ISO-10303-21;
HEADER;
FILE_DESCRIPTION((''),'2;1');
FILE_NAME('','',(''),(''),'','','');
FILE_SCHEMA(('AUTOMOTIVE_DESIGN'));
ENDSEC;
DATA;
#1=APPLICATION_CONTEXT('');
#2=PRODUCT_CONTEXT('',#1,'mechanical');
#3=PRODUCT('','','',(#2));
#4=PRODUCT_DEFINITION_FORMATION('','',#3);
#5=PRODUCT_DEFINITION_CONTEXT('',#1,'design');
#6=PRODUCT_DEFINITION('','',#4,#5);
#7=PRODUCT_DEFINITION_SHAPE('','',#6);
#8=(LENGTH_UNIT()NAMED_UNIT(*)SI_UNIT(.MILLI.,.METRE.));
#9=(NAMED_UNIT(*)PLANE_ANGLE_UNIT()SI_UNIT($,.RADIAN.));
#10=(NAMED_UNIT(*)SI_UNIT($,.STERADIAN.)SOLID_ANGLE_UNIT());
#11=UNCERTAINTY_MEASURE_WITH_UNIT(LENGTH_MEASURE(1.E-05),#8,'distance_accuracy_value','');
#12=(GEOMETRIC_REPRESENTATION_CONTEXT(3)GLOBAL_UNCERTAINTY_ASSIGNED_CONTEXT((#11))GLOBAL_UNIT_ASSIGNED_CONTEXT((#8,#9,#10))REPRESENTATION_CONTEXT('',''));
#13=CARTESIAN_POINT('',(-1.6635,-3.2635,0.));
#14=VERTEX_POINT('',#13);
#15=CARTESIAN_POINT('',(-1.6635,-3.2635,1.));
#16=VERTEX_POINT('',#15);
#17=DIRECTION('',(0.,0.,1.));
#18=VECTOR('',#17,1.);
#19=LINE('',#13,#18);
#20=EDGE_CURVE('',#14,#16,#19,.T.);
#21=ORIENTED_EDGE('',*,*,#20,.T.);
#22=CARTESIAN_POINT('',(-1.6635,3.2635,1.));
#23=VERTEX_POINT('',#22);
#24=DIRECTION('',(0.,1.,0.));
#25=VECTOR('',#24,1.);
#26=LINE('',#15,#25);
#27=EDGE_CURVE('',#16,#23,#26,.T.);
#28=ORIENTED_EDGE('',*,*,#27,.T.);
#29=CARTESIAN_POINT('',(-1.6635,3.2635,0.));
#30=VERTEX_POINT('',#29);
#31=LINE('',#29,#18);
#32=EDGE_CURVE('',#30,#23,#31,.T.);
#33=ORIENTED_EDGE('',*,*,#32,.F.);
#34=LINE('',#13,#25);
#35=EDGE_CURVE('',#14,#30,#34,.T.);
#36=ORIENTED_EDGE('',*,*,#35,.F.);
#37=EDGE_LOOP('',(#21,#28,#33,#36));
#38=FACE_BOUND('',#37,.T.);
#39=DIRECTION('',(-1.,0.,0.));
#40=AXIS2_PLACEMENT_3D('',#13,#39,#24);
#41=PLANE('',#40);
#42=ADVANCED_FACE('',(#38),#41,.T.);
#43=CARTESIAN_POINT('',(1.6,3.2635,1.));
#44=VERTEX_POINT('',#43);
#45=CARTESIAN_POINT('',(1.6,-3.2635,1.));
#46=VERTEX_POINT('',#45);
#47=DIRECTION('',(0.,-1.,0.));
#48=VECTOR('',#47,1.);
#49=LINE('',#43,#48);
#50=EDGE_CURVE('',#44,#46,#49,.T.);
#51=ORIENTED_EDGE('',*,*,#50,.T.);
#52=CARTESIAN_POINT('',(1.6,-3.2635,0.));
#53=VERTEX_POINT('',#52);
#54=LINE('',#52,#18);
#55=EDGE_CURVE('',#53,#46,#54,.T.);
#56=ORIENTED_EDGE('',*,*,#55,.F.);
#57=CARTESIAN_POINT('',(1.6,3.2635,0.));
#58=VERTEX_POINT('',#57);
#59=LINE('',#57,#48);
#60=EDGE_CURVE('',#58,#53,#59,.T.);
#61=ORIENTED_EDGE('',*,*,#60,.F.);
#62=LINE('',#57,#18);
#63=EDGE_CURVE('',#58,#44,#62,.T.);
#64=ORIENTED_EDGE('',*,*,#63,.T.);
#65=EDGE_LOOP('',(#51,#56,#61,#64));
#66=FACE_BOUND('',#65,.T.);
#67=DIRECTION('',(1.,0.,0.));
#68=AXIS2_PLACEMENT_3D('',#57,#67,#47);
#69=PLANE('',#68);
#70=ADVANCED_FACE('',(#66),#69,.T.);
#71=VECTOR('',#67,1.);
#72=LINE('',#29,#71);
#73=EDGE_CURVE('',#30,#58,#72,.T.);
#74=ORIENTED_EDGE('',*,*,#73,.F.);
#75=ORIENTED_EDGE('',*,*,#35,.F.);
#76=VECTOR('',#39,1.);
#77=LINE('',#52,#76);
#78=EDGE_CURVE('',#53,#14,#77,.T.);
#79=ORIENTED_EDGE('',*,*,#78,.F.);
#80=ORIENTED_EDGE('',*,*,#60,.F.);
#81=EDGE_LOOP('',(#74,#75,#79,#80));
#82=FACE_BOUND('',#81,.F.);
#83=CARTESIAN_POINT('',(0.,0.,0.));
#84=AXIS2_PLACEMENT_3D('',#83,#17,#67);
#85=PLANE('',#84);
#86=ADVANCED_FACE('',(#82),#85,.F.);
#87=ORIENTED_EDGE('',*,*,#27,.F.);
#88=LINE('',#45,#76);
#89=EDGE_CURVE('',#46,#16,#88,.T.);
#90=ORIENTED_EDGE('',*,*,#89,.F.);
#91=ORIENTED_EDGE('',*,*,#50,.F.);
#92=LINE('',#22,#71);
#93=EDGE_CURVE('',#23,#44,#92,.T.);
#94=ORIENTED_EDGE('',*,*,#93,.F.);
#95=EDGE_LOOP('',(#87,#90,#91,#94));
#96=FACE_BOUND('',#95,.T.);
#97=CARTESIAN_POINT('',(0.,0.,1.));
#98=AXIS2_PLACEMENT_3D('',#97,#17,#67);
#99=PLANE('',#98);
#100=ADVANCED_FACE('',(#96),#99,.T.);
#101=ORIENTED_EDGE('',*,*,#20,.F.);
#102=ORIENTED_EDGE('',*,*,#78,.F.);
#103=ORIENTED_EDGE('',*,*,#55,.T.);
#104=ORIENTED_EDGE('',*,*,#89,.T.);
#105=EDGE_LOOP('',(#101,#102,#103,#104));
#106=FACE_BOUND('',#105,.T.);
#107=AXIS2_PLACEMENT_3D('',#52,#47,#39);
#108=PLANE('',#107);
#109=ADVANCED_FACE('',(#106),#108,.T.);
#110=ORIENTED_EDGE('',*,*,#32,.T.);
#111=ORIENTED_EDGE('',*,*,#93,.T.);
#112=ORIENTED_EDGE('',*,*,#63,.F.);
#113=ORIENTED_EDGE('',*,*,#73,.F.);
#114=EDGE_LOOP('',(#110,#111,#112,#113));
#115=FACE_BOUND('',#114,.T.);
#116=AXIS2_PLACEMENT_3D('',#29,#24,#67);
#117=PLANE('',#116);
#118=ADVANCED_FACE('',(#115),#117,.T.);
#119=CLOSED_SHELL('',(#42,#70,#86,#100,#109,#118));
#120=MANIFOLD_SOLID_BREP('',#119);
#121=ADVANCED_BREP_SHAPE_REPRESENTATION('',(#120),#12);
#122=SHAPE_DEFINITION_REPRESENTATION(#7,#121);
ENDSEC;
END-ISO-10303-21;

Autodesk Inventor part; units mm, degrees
ref_plane "YZ Plane" through (0, 0, 0) normal (1, 0, 0) x (0, 1, 0)
ref_plane "XZ Plane" through (0, 0, 0) normal (0, 1, 0) x (-1, 0, 0)
ref_plane "XY Plane" through (0, 0, 0) normal (0, 0, 1) x (1, 0, 0)
sketch "LVK25, 0_005_89" plane through (0, 0, 0) normal (0, 0, 1) x (1, 0, 0)
  line L0 (-1.6635, 3.2635) -> (1.6, 3.2635)
  line L1 (1.6, 3.2635) -> (1.6, -3.2635)
  line L2 (1.6, -3.2635) -> (-1.6635, -3.2635)
  line L3 (-1.6635, -3.2635) -> (-1.6635, 3.2635)
extrude "Extrusion1" add sketch "LVK25, 0_005_89" along normal blind 1
properties part number "0_005"
